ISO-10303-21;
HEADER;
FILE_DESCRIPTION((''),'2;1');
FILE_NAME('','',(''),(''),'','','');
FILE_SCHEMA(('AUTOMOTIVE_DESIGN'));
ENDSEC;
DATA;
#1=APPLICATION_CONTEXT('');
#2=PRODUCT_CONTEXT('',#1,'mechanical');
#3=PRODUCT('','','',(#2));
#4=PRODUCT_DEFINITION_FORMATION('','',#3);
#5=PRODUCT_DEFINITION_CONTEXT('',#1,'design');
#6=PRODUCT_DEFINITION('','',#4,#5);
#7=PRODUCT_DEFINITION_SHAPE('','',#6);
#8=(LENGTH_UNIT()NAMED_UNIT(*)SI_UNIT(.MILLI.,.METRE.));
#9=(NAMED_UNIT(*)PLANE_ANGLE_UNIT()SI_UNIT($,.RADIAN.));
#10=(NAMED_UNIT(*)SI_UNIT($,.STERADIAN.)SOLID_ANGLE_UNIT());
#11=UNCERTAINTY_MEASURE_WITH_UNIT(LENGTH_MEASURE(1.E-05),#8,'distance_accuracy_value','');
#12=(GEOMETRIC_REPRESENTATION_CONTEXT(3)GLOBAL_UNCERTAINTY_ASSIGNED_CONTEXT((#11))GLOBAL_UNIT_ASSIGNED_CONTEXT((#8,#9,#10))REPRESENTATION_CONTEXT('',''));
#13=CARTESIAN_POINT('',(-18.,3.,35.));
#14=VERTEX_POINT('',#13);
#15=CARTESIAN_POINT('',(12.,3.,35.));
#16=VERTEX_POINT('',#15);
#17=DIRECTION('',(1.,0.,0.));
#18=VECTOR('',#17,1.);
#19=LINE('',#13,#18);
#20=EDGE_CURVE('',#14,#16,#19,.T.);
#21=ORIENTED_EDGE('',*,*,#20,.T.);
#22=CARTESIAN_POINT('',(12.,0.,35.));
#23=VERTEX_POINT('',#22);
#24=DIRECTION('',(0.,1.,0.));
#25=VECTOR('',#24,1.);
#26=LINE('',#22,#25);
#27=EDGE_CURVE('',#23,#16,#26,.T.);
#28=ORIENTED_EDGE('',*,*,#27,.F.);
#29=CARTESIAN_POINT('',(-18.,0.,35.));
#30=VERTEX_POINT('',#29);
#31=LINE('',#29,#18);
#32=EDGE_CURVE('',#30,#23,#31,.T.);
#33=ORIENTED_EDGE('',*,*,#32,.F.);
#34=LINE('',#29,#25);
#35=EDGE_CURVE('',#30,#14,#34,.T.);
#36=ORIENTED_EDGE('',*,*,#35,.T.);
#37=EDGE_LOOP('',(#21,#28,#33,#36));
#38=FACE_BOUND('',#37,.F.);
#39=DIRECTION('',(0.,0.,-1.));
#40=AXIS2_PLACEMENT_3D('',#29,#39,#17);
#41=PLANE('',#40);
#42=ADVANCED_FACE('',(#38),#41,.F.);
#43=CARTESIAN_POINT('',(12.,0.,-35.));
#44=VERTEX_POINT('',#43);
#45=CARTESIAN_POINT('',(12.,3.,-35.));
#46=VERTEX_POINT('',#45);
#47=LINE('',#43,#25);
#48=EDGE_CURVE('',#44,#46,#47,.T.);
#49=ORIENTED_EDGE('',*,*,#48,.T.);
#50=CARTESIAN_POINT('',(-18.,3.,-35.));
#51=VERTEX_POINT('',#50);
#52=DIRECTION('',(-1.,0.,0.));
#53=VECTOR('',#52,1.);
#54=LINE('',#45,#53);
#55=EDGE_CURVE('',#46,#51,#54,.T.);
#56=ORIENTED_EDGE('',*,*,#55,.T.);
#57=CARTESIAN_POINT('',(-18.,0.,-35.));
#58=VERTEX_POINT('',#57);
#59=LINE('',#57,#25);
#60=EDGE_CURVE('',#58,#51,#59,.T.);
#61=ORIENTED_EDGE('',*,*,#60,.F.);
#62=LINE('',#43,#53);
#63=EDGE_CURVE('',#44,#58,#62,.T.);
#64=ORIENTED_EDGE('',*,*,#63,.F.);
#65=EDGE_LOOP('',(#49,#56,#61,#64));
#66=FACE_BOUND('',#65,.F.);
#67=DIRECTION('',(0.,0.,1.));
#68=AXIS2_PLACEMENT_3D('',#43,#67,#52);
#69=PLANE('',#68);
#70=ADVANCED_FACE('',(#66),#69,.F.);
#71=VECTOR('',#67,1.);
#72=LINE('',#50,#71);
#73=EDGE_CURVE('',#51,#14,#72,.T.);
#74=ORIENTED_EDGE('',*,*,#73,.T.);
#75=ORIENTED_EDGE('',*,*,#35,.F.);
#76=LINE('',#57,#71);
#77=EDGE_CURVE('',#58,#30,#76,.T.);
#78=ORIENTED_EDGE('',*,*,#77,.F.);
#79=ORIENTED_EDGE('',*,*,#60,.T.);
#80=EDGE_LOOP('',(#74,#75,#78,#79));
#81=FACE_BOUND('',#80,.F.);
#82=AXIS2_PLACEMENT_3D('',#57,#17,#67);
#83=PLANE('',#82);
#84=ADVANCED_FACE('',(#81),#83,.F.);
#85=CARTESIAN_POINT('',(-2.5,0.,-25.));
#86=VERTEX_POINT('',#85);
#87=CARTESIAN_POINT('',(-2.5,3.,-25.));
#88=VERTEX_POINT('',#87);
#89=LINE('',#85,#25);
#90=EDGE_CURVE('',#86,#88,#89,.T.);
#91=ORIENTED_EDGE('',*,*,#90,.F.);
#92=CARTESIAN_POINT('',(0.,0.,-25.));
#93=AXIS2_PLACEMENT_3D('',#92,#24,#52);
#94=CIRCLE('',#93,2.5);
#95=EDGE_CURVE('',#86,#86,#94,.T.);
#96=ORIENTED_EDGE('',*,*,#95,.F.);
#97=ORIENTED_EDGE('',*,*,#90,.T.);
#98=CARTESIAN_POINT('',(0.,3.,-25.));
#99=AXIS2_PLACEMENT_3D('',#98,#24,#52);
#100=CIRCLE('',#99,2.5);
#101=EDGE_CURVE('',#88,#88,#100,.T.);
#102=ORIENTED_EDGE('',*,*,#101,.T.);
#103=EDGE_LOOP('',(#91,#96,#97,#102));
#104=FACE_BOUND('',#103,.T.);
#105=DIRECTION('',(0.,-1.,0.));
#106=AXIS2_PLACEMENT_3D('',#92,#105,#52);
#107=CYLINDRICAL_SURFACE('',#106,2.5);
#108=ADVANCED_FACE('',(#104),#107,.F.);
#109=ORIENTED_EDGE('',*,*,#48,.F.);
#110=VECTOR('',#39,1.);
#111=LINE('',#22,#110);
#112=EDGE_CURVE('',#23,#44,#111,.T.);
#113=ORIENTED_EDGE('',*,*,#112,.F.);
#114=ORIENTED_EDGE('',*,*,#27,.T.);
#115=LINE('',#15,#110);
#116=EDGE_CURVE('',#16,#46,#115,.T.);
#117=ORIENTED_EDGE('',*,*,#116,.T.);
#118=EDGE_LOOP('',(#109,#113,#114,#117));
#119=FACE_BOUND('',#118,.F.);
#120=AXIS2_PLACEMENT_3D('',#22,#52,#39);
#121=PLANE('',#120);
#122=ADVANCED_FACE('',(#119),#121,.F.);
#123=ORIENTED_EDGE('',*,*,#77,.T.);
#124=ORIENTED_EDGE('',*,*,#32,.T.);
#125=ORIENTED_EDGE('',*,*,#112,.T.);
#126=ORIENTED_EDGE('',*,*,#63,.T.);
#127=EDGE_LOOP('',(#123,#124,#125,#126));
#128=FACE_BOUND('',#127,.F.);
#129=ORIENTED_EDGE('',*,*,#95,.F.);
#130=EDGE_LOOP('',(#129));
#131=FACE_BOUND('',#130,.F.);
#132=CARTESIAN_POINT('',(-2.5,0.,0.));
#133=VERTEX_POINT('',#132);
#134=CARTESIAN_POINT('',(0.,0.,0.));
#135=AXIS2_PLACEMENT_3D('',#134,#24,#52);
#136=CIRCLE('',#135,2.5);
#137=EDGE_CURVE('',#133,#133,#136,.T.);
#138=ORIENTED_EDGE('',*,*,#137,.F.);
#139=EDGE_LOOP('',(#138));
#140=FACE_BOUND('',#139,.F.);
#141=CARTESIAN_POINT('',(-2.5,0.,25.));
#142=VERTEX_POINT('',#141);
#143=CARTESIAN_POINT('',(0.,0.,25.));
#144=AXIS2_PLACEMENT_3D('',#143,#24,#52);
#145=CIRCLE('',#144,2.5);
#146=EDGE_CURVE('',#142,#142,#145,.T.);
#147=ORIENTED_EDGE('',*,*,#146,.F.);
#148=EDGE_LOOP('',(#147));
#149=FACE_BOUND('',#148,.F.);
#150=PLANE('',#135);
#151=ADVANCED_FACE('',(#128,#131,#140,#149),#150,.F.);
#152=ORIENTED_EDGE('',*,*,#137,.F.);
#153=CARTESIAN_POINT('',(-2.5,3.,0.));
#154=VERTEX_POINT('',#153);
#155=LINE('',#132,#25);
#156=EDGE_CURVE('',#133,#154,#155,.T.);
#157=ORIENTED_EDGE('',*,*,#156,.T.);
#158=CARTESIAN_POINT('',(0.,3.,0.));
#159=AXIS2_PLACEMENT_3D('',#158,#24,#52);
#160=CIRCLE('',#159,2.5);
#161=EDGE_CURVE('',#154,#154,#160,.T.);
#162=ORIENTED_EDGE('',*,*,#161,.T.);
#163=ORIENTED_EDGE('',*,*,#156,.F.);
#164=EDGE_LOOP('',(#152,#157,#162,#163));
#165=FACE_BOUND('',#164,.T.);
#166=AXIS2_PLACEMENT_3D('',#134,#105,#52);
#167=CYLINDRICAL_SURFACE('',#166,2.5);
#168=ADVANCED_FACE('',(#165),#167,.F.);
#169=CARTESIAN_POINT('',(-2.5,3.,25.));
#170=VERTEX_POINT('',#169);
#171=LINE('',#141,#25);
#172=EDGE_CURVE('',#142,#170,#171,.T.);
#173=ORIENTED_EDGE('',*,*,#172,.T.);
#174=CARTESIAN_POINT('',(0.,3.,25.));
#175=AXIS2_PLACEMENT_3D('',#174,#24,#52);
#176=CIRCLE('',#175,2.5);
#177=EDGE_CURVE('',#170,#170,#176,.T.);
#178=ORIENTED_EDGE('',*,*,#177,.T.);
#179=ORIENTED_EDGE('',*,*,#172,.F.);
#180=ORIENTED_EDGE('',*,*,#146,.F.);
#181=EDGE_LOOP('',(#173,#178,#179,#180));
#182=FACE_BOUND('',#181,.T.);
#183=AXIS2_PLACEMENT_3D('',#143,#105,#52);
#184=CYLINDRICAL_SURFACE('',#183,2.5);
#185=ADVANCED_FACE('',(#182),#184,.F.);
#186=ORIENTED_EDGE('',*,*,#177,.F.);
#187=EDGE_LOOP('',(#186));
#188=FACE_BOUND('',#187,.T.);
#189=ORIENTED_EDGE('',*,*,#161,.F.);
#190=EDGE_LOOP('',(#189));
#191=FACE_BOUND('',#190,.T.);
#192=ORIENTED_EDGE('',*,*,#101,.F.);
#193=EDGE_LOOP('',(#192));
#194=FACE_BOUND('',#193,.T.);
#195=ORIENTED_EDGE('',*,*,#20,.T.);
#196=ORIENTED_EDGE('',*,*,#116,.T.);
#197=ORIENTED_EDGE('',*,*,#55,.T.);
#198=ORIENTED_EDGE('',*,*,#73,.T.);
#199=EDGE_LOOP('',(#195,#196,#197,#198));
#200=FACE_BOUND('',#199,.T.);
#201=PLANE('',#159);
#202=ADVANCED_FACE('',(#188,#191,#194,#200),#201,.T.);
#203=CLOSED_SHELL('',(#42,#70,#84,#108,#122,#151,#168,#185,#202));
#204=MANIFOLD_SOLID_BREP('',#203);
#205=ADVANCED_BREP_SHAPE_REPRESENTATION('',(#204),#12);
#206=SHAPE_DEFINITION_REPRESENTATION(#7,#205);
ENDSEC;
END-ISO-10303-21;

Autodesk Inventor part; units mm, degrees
ref_plane "YZ Plane" through (0, 0, 0) normal (1, 0, 0) x (0, 1, 0)
ref_plane "XZ Plane" through (0, 0, 0) normal (0, 1, 0) x (-1, 0, 0)
ref_plane "XY Plane" through (0, 0, 0) normal (0, 0, 1) x (1, 0, 0)
sketch "Sketch1" plane through (0, 0, 0) normal (0, 1, 0) x (-1, 0, 0)
  line L0 (18, 35) -> (-12, 35)
  line L1 (-12, 35) -> (-12, -35)
  line L2 (-12, -35) -> (18, -35)
  line L3 (18, -35) -> (18, 35)
  circle A0 centre (0, 0) radius 2.5
  circle A1 centre (0, -25) radius 2.5
  circle A2 centre (0, 25) radius 2.5
  dimension "d0" = 5
  dimension "d1" = 25
  dimension "d2" = 25
  dimension "d3" = 10
  dimension "d4" = 10
  dimension "d5" = 30
  dimension "d6" = 12
extrude "Extrusion1" add sketch "Sketch1" along normal blind 3
properties part number "testing_chunk"
